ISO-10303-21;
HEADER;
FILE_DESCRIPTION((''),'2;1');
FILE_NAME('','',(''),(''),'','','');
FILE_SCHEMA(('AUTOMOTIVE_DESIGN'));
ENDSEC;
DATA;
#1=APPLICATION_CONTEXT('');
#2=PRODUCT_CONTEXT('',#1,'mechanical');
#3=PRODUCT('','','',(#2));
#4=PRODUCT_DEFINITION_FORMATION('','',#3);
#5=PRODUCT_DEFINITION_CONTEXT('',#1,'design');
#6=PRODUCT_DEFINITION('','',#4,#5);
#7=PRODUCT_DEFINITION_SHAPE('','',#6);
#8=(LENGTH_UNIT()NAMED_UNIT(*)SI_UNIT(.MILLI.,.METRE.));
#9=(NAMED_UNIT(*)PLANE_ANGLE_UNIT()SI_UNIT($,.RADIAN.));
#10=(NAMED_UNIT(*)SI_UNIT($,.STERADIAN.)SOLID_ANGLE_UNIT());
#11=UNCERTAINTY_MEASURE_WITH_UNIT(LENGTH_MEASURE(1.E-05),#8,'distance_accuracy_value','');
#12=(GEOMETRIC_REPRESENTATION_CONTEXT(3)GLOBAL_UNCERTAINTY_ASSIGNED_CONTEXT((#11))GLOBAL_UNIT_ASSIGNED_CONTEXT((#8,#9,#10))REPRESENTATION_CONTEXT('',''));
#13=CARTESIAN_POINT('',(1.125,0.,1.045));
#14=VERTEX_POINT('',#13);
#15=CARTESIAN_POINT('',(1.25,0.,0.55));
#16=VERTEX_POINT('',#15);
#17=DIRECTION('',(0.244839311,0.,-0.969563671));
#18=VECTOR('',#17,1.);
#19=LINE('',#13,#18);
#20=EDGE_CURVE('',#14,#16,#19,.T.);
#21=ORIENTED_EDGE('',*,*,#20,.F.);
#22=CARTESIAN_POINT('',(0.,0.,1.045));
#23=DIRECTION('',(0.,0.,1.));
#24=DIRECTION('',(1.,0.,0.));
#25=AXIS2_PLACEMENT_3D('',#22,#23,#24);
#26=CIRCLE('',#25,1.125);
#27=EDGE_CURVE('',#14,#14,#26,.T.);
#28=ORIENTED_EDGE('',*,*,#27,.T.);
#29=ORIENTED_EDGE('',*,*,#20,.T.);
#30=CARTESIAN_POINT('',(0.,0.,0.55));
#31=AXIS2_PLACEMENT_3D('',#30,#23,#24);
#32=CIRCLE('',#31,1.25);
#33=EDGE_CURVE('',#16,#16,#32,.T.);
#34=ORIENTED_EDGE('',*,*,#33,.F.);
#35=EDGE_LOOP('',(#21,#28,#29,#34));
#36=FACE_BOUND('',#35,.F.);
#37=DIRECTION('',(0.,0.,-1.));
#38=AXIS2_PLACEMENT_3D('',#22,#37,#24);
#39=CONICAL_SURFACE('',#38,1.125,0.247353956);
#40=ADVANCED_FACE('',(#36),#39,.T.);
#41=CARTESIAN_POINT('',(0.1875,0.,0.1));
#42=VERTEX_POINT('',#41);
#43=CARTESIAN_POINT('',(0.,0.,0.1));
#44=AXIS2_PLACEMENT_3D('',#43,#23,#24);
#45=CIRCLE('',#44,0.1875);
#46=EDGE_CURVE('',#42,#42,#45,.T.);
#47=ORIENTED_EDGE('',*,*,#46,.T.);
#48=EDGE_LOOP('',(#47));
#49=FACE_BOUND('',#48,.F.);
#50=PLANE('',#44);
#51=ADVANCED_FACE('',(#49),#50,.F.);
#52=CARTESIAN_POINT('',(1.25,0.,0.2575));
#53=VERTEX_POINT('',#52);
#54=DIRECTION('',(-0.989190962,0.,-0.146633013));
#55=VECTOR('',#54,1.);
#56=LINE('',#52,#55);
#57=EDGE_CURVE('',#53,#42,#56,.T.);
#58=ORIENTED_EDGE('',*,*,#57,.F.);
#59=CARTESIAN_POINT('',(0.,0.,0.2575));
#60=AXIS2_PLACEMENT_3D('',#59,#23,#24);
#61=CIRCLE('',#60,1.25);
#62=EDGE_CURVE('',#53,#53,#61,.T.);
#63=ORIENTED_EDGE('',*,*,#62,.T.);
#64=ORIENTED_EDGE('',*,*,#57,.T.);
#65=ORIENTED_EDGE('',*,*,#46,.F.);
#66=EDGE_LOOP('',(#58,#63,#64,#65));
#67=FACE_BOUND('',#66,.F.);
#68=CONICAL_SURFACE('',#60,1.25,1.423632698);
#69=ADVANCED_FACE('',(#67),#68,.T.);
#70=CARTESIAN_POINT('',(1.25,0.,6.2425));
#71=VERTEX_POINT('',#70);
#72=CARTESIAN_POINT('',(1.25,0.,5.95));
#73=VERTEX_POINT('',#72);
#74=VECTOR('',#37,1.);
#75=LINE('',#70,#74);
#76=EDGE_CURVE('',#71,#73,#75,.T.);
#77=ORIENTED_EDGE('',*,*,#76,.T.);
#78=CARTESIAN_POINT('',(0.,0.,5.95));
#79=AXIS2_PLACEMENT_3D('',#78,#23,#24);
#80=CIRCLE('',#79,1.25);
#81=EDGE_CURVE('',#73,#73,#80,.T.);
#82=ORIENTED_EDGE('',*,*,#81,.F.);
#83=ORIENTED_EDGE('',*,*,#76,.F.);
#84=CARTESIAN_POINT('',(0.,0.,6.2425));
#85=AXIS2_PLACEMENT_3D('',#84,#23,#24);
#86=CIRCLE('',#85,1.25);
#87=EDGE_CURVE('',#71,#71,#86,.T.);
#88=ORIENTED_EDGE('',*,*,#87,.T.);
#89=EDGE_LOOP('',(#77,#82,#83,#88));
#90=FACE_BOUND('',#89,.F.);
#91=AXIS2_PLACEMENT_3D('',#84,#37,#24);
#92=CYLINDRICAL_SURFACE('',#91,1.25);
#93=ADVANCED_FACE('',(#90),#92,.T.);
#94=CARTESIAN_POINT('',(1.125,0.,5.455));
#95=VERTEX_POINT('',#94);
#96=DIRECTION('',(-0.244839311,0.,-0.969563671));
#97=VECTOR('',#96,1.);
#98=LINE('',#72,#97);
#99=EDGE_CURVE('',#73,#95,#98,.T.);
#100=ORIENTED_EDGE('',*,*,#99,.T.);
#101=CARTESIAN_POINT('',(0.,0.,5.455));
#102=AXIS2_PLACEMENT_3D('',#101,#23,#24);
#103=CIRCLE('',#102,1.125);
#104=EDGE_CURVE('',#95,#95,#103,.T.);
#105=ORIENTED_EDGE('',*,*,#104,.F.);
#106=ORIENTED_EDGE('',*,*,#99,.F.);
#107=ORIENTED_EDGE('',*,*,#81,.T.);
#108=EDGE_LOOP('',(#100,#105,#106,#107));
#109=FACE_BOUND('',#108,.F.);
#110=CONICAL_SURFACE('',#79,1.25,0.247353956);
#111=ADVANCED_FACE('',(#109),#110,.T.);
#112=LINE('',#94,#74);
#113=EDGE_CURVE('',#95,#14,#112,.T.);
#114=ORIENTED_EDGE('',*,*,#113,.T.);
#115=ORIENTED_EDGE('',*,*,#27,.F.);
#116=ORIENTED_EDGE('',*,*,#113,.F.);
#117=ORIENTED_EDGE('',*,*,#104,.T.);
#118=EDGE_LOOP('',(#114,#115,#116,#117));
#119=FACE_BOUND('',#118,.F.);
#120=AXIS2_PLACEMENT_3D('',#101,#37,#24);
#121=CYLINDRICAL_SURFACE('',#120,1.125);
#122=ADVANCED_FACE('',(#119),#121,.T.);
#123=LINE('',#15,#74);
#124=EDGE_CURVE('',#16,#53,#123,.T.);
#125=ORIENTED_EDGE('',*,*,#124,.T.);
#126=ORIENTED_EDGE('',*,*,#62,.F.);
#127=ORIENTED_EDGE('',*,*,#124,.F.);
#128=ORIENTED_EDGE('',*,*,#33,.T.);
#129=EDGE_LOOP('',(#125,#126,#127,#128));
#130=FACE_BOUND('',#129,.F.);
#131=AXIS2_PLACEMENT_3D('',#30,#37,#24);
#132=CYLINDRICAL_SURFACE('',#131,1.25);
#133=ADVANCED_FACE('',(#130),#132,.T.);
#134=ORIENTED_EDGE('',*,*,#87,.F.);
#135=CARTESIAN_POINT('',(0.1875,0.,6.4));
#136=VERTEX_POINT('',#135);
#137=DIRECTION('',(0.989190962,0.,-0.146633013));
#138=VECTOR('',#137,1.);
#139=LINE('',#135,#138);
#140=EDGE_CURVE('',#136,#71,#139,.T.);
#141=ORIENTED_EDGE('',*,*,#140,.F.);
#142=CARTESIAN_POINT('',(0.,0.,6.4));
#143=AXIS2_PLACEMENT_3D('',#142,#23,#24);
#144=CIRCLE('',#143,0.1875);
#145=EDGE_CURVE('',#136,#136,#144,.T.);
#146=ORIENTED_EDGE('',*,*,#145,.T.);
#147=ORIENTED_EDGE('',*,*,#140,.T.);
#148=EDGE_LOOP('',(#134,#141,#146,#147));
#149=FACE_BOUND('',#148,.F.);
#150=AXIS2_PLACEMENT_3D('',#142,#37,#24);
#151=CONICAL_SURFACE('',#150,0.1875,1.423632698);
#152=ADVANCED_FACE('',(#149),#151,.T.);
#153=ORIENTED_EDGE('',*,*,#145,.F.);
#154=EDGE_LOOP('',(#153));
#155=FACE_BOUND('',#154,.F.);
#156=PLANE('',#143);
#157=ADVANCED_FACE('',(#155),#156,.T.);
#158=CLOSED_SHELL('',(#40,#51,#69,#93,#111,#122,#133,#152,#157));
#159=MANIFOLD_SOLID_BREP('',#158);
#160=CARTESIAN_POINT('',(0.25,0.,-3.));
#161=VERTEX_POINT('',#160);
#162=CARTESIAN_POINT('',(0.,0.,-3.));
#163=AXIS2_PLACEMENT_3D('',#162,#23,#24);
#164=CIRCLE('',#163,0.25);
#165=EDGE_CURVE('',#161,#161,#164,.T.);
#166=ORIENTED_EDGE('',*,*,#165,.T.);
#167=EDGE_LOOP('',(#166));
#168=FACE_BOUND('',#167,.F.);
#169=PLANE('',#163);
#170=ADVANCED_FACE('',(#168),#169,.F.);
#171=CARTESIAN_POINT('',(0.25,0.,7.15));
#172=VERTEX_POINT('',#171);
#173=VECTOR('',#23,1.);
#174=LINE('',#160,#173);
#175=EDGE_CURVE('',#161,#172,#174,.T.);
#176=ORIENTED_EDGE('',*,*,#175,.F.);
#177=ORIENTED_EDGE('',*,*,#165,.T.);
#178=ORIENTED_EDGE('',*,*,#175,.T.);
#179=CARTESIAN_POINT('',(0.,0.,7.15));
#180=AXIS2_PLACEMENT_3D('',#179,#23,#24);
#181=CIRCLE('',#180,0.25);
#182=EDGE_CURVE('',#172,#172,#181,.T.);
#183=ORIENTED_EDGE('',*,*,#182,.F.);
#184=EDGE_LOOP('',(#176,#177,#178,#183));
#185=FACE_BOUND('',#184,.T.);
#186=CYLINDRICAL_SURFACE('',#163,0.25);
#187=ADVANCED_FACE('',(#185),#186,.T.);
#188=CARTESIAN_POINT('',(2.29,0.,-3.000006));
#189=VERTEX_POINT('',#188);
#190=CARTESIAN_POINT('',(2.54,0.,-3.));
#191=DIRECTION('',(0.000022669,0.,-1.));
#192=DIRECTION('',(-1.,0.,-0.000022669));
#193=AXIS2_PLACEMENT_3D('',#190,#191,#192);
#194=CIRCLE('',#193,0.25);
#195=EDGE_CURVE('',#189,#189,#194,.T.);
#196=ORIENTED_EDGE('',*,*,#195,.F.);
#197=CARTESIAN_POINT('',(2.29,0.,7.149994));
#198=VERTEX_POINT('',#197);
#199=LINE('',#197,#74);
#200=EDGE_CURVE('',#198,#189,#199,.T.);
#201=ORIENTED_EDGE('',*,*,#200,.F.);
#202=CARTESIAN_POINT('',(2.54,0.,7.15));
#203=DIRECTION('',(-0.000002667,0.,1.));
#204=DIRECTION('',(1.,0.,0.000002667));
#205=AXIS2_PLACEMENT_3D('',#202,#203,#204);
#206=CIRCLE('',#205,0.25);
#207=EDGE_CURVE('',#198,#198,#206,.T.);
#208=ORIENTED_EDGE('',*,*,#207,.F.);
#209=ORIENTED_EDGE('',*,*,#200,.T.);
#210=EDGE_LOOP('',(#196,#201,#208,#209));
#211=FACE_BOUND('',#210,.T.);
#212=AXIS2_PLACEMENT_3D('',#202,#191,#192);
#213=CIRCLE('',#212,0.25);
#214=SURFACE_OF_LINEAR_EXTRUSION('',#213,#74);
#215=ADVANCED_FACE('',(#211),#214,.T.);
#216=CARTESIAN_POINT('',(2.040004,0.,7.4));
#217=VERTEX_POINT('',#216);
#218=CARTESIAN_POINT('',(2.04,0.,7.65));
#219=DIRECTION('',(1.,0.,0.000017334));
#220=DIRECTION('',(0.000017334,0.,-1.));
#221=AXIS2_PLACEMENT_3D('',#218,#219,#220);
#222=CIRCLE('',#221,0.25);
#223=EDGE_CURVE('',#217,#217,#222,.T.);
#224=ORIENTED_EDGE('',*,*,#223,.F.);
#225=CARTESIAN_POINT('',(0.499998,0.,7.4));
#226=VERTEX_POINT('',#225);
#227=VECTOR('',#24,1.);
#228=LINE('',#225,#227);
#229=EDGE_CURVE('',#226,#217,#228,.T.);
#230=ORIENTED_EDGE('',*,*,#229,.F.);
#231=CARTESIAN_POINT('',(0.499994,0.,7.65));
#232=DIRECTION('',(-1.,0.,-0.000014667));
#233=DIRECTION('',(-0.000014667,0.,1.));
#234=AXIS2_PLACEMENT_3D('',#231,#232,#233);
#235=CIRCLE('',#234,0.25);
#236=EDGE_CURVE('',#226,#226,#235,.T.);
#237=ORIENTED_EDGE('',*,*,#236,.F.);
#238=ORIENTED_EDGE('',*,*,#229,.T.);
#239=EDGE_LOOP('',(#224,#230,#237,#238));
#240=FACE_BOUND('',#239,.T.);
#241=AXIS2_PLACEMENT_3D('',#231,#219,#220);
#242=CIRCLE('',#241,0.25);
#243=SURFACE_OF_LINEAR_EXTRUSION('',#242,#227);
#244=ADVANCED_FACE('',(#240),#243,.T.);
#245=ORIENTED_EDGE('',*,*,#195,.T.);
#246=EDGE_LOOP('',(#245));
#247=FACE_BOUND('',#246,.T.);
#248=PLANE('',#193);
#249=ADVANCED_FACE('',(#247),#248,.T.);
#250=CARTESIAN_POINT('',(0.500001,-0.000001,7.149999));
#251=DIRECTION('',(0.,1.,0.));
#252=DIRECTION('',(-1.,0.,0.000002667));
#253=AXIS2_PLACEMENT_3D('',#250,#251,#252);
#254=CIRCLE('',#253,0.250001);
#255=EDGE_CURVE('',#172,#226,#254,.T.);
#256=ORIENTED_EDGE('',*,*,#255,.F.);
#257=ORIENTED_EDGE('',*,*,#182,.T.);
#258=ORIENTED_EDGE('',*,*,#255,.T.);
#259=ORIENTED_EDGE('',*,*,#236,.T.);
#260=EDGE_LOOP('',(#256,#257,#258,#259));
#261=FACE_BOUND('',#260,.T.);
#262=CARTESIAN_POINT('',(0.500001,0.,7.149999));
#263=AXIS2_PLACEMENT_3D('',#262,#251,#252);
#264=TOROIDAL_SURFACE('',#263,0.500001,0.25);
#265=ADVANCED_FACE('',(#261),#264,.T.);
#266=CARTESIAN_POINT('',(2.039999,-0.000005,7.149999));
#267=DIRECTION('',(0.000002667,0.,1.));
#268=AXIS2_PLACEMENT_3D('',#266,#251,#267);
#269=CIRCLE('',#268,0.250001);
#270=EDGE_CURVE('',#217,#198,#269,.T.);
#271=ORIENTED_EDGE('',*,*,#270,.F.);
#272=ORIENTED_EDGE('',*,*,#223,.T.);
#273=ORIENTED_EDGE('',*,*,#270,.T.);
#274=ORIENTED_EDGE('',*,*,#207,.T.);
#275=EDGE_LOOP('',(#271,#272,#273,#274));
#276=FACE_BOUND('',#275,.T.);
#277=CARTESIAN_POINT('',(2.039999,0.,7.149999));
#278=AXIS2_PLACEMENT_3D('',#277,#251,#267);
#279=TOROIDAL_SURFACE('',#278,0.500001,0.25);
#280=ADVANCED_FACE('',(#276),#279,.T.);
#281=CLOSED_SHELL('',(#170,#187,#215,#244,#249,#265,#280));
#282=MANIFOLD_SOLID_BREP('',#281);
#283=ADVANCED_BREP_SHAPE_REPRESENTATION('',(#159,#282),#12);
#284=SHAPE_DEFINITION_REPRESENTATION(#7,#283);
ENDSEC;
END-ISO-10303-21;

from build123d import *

# Parameters (mm, degrees)
SKETCH_R = 0.25


with BuildPart() as sweep_body:
    # Sweep: sweep along a path in Sketch001
    with BuildLine(Plane.XZ) as sweep_path:
        Line((0, -3), (0, 7.15))
        ThreePointArc((0, 7.15), (0.146445, 7.503551), (0.499994, 7.65))
        Line((0.499994, 7.65), (2.04, 7.65))
        ThreePointArc((2.04, 7.65), (2.393553, 7.503553), (2.54, 7.15))
        Line((2.54, 7.15), (2.54, -3))
    # Sketch → Sweep (sweep)
    with BuildSketch(Plane.XY.offset(-2)):
        Circle(SKETCH_R)
    sweep(path=sweep_path.line)


with BuildPart() as revolution:
    # Sketch002 → Revolution (revolve)
    with BuildSketch(Plane.XZ):
        Polygon((0, 0.1), (0, 6.4), (0.1875, 6.4), (1.25, 6.2425), (1.25, 5.95), (1.125, 5.455), (1.125, 1.045), (1.25, 0.55), (1.25, 0.2575), (0.1875, 0.1), align=None)
    revolve(axis=Axis((0, 0, 0), (0, 0, 1)))


solid = Compound([sweep_body.part, revolution.part])
